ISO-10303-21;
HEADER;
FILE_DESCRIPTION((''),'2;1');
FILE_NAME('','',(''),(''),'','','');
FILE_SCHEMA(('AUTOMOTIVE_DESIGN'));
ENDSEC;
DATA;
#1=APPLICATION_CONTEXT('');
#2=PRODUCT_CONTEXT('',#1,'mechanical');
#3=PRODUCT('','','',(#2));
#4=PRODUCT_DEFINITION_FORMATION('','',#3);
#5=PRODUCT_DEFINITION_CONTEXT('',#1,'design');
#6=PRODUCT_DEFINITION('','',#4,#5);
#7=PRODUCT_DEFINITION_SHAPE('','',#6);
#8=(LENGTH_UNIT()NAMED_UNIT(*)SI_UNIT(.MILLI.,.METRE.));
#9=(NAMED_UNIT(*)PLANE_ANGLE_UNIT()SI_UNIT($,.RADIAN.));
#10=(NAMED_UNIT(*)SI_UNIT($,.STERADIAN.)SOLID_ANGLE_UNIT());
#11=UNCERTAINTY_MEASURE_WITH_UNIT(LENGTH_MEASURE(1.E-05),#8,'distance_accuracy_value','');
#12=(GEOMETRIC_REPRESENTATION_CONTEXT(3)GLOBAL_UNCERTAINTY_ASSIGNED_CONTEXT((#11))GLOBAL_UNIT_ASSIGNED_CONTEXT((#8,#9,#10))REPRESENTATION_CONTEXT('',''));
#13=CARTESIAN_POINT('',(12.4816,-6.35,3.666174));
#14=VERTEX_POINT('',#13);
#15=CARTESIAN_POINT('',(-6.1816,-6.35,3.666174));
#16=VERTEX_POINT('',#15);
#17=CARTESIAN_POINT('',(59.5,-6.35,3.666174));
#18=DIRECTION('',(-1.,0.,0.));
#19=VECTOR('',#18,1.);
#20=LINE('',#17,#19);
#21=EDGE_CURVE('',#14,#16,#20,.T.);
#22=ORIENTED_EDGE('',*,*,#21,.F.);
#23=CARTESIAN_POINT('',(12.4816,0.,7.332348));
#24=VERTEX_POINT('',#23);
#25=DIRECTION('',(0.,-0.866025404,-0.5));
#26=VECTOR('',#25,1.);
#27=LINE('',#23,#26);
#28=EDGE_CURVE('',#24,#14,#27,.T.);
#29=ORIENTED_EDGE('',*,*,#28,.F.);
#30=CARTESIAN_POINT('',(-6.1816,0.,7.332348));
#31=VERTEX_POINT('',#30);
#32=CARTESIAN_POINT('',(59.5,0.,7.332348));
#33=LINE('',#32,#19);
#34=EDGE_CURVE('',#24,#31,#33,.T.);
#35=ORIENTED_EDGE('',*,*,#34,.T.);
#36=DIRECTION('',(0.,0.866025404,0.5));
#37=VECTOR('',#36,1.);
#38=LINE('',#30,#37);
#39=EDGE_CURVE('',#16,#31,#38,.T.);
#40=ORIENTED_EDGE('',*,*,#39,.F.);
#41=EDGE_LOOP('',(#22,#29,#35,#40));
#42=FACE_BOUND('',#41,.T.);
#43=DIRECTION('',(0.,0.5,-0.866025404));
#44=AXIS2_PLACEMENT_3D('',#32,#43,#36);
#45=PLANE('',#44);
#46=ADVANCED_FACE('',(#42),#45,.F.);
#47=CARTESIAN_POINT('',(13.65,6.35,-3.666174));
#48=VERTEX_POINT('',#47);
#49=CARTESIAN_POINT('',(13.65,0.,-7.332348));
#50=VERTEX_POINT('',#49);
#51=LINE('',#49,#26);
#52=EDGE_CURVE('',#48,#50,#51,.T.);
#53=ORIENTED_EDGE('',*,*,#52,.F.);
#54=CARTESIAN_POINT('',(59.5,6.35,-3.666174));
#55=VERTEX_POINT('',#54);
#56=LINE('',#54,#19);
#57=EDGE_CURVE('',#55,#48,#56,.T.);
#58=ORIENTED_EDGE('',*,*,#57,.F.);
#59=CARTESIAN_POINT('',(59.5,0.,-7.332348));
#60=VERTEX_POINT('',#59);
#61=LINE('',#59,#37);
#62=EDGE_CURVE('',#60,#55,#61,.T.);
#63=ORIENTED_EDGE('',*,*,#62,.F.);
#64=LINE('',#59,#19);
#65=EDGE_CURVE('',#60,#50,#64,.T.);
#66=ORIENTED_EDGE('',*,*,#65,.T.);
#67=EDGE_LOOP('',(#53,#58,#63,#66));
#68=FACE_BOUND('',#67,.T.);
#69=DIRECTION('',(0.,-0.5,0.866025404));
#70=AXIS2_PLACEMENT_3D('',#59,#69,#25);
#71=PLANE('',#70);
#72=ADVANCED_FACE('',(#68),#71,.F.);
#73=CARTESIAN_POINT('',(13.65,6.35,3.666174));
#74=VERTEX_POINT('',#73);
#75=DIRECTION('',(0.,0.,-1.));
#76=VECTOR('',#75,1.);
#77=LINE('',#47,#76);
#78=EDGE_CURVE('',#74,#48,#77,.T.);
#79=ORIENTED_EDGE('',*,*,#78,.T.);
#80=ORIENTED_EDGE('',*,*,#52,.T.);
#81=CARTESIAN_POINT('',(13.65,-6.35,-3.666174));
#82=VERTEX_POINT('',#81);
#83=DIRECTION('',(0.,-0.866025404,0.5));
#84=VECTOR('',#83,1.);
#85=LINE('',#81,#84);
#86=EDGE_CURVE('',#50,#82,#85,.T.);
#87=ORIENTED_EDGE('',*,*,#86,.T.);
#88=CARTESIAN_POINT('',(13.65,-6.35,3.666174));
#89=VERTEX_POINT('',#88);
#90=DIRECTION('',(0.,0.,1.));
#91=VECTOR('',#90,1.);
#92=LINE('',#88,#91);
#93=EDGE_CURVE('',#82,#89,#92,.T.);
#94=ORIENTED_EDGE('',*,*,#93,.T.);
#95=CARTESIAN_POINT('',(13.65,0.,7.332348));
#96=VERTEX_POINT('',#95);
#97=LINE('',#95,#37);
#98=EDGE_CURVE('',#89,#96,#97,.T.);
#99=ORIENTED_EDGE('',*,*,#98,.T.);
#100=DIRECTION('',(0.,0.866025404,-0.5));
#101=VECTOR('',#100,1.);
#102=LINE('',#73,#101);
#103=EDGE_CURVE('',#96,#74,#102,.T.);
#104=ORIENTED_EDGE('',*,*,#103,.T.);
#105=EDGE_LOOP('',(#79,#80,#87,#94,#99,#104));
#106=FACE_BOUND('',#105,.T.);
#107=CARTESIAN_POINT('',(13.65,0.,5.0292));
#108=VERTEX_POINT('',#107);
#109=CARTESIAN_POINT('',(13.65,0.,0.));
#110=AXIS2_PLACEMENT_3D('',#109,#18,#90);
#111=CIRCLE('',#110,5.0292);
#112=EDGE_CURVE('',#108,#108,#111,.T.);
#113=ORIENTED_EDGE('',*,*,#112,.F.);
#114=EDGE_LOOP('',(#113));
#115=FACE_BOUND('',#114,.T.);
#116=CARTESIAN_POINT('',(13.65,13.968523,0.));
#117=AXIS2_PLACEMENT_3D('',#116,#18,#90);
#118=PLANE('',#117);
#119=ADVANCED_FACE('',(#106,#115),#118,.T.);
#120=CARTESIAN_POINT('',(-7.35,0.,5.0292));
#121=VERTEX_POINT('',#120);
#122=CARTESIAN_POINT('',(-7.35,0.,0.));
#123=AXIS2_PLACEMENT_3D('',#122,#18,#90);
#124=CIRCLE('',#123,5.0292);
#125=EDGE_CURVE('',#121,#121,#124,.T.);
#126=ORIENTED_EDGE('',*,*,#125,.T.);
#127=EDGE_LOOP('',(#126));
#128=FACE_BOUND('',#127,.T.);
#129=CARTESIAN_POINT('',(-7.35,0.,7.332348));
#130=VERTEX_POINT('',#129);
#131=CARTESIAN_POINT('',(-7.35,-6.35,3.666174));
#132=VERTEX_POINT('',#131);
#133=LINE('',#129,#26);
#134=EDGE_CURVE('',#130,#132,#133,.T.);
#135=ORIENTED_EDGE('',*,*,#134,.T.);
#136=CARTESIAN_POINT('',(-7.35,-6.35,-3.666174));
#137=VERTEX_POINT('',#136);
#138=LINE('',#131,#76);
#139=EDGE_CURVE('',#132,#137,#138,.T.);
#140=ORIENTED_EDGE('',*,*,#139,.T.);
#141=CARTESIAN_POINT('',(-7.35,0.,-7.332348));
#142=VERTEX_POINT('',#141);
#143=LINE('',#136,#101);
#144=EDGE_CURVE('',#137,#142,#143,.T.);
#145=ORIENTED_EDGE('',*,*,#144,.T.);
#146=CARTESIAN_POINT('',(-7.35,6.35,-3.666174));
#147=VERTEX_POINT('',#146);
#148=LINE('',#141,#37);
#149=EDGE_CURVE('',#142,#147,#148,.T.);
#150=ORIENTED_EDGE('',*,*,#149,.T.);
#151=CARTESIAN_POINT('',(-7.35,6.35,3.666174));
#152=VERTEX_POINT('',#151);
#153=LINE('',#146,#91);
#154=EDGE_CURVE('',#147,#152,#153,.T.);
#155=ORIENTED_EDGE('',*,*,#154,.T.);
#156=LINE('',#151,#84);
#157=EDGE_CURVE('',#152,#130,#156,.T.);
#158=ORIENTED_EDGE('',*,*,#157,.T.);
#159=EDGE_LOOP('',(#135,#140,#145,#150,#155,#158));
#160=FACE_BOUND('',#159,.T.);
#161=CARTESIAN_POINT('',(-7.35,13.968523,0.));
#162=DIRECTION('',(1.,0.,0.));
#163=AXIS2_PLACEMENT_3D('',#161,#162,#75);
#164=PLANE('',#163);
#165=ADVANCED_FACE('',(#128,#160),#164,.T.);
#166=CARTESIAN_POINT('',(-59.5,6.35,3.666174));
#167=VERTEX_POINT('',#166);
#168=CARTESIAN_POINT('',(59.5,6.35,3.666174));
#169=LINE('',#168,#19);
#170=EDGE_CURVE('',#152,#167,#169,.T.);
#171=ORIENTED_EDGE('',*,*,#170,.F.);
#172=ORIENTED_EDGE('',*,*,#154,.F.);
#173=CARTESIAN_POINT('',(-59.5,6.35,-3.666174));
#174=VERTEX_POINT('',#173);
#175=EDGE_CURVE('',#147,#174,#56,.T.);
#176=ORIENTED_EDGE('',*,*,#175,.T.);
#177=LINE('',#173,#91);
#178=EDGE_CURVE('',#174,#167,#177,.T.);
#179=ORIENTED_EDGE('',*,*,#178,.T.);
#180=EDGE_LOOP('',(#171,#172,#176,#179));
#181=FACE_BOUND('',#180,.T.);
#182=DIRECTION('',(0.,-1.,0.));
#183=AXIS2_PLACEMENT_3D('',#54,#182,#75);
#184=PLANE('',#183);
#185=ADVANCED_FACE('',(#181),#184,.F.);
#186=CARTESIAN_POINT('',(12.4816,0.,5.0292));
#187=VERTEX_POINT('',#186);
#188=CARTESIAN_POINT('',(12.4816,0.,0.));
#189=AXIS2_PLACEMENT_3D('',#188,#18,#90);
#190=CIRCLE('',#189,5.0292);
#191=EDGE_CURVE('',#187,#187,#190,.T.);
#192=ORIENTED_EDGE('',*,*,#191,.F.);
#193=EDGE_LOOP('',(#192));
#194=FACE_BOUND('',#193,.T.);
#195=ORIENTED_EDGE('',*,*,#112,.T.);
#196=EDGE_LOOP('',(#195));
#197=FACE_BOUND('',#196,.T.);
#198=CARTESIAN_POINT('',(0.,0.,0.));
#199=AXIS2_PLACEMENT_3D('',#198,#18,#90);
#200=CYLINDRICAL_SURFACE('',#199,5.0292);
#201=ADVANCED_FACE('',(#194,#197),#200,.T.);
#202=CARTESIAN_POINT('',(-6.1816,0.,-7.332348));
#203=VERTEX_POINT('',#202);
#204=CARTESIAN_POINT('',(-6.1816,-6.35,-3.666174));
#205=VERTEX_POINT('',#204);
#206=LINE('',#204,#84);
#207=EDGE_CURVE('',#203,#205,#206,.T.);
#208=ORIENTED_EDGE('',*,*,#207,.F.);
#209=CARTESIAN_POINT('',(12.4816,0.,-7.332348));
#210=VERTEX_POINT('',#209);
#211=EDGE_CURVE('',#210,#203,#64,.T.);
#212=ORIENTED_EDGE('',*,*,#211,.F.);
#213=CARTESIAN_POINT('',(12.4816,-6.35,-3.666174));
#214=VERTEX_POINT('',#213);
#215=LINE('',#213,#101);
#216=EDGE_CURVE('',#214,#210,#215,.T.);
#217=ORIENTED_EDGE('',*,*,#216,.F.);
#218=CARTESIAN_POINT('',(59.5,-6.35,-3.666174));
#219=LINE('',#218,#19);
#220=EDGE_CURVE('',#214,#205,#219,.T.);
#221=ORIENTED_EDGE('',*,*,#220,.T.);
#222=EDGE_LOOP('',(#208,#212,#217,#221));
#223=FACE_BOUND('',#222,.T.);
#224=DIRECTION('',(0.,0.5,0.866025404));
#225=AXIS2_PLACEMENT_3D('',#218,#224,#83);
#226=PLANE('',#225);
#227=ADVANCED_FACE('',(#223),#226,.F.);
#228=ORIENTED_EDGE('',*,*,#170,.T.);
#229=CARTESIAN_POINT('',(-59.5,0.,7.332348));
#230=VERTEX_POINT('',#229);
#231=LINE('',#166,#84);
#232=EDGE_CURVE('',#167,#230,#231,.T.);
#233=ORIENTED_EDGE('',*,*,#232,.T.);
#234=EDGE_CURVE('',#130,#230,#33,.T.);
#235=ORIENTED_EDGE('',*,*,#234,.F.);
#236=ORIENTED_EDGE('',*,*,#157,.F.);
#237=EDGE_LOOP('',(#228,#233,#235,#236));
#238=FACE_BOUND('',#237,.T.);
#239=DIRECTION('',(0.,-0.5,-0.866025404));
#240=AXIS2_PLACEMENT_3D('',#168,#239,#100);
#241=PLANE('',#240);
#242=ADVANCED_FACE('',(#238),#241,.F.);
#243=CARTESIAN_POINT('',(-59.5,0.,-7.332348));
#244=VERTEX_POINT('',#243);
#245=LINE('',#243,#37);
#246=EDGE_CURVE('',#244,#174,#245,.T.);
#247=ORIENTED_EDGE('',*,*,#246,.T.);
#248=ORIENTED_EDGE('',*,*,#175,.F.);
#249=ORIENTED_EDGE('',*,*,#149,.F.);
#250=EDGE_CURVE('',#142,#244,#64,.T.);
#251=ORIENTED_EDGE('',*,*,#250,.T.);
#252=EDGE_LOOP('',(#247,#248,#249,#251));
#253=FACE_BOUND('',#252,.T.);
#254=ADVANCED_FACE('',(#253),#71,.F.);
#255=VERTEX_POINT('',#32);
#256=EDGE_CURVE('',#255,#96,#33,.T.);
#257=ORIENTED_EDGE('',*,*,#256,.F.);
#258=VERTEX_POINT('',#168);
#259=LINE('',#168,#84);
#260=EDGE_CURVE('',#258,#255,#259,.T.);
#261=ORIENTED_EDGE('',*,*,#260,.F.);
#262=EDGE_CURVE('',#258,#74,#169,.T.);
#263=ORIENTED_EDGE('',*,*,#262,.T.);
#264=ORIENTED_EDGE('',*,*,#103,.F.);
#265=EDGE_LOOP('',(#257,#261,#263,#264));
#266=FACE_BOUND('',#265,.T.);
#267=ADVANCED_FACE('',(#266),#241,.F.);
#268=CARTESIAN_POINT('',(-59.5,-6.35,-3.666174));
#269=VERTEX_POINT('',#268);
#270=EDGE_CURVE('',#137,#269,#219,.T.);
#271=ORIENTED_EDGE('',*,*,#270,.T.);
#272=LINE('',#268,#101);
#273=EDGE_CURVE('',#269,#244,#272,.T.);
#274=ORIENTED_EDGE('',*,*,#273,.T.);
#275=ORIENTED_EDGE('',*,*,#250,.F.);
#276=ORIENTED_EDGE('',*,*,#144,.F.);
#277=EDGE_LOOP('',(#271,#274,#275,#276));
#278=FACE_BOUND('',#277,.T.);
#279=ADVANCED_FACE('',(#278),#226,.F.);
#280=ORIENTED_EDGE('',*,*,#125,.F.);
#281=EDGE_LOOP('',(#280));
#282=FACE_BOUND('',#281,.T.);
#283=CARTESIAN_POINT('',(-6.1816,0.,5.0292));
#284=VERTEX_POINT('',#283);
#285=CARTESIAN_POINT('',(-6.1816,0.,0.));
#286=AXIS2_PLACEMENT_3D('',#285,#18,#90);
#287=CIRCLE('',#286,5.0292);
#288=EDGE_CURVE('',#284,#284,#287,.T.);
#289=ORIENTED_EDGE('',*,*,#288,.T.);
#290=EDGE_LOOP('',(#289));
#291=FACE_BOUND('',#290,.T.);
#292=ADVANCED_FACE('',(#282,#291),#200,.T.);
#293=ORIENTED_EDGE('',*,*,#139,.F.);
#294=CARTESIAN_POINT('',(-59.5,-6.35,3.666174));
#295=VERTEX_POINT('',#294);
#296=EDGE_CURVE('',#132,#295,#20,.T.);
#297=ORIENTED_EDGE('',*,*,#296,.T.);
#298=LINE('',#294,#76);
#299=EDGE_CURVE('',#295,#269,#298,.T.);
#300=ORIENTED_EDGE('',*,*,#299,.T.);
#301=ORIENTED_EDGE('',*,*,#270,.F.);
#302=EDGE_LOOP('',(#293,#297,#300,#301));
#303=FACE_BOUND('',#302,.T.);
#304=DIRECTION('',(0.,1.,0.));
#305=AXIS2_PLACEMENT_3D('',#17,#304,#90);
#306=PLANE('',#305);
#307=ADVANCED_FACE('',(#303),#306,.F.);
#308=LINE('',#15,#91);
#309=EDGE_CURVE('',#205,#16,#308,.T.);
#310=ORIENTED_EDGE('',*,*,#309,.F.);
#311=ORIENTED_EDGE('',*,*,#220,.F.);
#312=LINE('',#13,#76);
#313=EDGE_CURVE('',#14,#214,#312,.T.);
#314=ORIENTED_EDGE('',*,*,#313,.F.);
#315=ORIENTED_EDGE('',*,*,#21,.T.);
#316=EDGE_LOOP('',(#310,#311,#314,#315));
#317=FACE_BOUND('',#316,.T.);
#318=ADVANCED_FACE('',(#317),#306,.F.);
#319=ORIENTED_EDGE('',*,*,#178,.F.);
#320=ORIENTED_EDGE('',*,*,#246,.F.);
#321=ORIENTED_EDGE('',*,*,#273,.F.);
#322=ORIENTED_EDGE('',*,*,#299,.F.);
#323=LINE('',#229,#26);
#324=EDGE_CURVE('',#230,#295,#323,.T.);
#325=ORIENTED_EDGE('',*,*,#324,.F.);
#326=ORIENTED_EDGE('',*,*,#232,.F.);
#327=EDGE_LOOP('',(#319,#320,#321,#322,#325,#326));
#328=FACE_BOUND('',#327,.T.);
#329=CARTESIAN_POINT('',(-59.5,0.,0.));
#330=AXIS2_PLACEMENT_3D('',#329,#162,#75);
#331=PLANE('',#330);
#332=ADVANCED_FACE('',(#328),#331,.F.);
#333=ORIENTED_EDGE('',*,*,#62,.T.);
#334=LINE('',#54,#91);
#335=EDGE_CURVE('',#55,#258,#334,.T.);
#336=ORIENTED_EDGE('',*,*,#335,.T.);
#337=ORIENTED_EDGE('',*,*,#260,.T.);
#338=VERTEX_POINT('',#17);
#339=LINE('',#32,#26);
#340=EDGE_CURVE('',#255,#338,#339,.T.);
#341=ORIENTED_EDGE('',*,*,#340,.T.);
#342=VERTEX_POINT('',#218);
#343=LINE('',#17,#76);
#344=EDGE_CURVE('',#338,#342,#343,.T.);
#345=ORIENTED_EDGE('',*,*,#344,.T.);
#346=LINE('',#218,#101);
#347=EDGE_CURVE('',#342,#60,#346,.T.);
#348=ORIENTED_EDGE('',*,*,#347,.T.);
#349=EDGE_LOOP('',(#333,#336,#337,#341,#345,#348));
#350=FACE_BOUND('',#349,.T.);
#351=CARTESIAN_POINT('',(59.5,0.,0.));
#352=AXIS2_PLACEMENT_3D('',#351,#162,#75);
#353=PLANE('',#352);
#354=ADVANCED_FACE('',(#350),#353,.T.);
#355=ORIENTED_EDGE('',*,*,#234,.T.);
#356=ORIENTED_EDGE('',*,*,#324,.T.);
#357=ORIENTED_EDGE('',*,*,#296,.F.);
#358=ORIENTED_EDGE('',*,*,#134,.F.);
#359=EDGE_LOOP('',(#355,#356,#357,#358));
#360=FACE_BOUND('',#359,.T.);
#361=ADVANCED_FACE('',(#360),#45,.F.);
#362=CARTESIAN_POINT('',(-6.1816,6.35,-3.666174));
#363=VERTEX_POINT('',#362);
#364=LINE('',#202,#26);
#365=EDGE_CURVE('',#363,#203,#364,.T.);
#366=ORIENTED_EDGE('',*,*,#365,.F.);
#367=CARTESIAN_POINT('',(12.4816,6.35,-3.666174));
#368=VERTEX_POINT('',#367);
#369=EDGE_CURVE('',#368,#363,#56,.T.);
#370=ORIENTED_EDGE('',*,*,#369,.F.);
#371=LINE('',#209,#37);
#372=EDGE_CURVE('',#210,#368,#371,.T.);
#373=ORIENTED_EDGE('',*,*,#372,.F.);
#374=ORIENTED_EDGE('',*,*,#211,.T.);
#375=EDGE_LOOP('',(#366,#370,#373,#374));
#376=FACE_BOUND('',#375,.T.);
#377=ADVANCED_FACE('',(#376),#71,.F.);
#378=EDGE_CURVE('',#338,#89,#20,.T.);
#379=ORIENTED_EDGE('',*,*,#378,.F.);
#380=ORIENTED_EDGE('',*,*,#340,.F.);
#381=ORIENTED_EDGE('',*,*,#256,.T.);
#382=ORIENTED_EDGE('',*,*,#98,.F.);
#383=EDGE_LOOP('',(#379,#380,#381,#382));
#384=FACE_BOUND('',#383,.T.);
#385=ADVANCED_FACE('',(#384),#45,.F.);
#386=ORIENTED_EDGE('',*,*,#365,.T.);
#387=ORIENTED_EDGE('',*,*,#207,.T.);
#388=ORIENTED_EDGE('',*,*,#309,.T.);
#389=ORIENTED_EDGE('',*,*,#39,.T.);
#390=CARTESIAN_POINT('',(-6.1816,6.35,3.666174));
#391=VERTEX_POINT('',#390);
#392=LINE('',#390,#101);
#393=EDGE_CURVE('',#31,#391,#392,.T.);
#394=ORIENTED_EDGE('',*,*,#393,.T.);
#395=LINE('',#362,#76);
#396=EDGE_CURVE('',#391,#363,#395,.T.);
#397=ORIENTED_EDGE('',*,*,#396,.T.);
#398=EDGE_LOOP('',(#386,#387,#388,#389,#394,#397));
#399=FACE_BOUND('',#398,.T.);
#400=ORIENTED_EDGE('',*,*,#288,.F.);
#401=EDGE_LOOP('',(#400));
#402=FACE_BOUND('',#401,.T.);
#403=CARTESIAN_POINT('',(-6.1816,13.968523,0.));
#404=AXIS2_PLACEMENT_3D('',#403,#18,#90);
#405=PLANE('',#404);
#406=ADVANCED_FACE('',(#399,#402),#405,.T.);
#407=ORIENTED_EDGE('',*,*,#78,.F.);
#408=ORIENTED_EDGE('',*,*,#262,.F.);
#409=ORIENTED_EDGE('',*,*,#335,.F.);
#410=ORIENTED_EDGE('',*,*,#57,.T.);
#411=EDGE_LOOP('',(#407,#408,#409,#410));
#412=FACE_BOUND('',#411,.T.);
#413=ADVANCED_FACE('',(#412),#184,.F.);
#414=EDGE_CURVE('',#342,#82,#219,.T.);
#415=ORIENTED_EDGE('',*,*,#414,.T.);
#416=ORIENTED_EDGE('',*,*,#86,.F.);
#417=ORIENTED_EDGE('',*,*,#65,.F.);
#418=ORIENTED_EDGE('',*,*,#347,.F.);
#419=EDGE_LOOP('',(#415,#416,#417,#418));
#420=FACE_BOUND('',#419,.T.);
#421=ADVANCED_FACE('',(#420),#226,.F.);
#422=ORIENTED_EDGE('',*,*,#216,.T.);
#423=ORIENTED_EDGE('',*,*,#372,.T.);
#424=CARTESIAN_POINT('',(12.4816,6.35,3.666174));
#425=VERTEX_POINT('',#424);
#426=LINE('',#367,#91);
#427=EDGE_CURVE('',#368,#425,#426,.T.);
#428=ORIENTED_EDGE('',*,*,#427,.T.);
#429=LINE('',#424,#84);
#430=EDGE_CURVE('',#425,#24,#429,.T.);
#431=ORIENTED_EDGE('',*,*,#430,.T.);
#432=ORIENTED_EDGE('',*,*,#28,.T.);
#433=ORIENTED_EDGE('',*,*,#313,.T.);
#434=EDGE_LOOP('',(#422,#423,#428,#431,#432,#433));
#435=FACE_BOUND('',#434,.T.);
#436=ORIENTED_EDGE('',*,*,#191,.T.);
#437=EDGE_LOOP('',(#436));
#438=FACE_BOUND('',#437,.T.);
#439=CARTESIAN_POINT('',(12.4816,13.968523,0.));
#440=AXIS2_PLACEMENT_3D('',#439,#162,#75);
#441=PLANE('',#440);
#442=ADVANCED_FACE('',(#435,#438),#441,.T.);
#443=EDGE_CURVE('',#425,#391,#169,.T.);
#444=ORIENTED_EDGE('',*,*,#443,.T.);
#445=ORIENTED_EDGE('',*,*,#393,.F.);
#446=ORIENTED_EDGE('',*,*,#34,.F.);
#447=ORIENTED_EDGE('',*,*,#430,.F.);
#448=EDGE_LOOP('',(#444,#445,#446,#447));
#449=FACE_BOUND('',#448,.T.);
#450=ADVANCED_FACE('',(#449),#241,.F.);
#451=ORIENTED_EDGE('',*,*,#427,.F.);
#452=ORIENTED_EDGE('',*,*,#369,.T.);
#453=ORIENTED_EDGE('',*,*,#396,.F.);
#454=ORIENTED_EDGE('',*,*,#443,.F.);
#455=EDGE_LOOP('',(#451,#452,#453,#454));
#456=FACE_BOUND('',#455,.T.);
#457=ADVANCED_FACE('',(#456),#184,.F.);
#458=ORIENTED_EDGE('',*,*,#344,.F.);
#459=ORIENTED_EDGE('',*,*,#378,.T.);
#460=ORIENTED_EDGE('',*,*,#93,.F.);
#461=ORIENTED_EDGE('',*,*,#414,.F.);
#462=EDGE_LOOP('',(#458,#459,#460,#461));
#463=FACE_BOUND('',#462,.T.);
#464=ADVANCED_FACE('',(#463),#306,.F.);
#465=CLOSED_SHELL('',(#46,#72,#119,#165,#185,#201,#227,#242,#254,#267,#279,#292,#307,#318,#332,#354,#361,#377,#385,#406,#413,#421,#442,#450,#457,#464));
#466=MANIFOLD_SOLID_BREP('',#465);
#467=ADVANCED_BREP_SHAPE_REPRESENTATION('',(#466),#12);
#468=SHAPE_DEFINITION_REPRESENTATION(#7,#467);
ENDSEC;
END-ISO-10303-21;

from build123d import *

# Parameters (mm, degrees)
BOSS_EXTRUDE1_DEPTH = 59.5
SKETCH5_W           = 1.1684
SKETCH5_H           = 8.939323218


with BuildPart() as part:
    # Sketch2 → Boss-Extrude1 (new, symmetric)
    with BuildSketch(Plane(origin=(0, 0, 0), x_dir=(0, 0, -1), z_dir=(1, 0, 0))):
        Polygon((7.332348419, 0), (3.666174209, 6.35), (-3.666174209, 6.35), (-7.332348419, 0), (-3.666174209, -6.35), (3.666174209, -6.35), align=None)
    extrude(amount=BOSS_EXTRUDE1_DEPTH, both=True)

    # Sketch5 → Cut-Revolve1 (revolve, cut)
    with BuildSketch(Plane.XY, mode=Mode.PRIVATE) as cut_revolve1_sk:
        with Locations((13.0658, 9.498861609)):
            Rectangle(SKETCH5_W, SKETCH5_H)
        with Locations((-6.7658, 9.498861609)):
            Rectangle(SKETCH5_W, SKETCH5_H)
    revolve(cut_revolve1_sk.sketch.rotate(Axis((0, 0, 0), (1, 0, 0)), 90), axis=Axis((0, 0, 0), (1, 0, 0)), mode=Mode.SUBTRACT)


solid = part.part
